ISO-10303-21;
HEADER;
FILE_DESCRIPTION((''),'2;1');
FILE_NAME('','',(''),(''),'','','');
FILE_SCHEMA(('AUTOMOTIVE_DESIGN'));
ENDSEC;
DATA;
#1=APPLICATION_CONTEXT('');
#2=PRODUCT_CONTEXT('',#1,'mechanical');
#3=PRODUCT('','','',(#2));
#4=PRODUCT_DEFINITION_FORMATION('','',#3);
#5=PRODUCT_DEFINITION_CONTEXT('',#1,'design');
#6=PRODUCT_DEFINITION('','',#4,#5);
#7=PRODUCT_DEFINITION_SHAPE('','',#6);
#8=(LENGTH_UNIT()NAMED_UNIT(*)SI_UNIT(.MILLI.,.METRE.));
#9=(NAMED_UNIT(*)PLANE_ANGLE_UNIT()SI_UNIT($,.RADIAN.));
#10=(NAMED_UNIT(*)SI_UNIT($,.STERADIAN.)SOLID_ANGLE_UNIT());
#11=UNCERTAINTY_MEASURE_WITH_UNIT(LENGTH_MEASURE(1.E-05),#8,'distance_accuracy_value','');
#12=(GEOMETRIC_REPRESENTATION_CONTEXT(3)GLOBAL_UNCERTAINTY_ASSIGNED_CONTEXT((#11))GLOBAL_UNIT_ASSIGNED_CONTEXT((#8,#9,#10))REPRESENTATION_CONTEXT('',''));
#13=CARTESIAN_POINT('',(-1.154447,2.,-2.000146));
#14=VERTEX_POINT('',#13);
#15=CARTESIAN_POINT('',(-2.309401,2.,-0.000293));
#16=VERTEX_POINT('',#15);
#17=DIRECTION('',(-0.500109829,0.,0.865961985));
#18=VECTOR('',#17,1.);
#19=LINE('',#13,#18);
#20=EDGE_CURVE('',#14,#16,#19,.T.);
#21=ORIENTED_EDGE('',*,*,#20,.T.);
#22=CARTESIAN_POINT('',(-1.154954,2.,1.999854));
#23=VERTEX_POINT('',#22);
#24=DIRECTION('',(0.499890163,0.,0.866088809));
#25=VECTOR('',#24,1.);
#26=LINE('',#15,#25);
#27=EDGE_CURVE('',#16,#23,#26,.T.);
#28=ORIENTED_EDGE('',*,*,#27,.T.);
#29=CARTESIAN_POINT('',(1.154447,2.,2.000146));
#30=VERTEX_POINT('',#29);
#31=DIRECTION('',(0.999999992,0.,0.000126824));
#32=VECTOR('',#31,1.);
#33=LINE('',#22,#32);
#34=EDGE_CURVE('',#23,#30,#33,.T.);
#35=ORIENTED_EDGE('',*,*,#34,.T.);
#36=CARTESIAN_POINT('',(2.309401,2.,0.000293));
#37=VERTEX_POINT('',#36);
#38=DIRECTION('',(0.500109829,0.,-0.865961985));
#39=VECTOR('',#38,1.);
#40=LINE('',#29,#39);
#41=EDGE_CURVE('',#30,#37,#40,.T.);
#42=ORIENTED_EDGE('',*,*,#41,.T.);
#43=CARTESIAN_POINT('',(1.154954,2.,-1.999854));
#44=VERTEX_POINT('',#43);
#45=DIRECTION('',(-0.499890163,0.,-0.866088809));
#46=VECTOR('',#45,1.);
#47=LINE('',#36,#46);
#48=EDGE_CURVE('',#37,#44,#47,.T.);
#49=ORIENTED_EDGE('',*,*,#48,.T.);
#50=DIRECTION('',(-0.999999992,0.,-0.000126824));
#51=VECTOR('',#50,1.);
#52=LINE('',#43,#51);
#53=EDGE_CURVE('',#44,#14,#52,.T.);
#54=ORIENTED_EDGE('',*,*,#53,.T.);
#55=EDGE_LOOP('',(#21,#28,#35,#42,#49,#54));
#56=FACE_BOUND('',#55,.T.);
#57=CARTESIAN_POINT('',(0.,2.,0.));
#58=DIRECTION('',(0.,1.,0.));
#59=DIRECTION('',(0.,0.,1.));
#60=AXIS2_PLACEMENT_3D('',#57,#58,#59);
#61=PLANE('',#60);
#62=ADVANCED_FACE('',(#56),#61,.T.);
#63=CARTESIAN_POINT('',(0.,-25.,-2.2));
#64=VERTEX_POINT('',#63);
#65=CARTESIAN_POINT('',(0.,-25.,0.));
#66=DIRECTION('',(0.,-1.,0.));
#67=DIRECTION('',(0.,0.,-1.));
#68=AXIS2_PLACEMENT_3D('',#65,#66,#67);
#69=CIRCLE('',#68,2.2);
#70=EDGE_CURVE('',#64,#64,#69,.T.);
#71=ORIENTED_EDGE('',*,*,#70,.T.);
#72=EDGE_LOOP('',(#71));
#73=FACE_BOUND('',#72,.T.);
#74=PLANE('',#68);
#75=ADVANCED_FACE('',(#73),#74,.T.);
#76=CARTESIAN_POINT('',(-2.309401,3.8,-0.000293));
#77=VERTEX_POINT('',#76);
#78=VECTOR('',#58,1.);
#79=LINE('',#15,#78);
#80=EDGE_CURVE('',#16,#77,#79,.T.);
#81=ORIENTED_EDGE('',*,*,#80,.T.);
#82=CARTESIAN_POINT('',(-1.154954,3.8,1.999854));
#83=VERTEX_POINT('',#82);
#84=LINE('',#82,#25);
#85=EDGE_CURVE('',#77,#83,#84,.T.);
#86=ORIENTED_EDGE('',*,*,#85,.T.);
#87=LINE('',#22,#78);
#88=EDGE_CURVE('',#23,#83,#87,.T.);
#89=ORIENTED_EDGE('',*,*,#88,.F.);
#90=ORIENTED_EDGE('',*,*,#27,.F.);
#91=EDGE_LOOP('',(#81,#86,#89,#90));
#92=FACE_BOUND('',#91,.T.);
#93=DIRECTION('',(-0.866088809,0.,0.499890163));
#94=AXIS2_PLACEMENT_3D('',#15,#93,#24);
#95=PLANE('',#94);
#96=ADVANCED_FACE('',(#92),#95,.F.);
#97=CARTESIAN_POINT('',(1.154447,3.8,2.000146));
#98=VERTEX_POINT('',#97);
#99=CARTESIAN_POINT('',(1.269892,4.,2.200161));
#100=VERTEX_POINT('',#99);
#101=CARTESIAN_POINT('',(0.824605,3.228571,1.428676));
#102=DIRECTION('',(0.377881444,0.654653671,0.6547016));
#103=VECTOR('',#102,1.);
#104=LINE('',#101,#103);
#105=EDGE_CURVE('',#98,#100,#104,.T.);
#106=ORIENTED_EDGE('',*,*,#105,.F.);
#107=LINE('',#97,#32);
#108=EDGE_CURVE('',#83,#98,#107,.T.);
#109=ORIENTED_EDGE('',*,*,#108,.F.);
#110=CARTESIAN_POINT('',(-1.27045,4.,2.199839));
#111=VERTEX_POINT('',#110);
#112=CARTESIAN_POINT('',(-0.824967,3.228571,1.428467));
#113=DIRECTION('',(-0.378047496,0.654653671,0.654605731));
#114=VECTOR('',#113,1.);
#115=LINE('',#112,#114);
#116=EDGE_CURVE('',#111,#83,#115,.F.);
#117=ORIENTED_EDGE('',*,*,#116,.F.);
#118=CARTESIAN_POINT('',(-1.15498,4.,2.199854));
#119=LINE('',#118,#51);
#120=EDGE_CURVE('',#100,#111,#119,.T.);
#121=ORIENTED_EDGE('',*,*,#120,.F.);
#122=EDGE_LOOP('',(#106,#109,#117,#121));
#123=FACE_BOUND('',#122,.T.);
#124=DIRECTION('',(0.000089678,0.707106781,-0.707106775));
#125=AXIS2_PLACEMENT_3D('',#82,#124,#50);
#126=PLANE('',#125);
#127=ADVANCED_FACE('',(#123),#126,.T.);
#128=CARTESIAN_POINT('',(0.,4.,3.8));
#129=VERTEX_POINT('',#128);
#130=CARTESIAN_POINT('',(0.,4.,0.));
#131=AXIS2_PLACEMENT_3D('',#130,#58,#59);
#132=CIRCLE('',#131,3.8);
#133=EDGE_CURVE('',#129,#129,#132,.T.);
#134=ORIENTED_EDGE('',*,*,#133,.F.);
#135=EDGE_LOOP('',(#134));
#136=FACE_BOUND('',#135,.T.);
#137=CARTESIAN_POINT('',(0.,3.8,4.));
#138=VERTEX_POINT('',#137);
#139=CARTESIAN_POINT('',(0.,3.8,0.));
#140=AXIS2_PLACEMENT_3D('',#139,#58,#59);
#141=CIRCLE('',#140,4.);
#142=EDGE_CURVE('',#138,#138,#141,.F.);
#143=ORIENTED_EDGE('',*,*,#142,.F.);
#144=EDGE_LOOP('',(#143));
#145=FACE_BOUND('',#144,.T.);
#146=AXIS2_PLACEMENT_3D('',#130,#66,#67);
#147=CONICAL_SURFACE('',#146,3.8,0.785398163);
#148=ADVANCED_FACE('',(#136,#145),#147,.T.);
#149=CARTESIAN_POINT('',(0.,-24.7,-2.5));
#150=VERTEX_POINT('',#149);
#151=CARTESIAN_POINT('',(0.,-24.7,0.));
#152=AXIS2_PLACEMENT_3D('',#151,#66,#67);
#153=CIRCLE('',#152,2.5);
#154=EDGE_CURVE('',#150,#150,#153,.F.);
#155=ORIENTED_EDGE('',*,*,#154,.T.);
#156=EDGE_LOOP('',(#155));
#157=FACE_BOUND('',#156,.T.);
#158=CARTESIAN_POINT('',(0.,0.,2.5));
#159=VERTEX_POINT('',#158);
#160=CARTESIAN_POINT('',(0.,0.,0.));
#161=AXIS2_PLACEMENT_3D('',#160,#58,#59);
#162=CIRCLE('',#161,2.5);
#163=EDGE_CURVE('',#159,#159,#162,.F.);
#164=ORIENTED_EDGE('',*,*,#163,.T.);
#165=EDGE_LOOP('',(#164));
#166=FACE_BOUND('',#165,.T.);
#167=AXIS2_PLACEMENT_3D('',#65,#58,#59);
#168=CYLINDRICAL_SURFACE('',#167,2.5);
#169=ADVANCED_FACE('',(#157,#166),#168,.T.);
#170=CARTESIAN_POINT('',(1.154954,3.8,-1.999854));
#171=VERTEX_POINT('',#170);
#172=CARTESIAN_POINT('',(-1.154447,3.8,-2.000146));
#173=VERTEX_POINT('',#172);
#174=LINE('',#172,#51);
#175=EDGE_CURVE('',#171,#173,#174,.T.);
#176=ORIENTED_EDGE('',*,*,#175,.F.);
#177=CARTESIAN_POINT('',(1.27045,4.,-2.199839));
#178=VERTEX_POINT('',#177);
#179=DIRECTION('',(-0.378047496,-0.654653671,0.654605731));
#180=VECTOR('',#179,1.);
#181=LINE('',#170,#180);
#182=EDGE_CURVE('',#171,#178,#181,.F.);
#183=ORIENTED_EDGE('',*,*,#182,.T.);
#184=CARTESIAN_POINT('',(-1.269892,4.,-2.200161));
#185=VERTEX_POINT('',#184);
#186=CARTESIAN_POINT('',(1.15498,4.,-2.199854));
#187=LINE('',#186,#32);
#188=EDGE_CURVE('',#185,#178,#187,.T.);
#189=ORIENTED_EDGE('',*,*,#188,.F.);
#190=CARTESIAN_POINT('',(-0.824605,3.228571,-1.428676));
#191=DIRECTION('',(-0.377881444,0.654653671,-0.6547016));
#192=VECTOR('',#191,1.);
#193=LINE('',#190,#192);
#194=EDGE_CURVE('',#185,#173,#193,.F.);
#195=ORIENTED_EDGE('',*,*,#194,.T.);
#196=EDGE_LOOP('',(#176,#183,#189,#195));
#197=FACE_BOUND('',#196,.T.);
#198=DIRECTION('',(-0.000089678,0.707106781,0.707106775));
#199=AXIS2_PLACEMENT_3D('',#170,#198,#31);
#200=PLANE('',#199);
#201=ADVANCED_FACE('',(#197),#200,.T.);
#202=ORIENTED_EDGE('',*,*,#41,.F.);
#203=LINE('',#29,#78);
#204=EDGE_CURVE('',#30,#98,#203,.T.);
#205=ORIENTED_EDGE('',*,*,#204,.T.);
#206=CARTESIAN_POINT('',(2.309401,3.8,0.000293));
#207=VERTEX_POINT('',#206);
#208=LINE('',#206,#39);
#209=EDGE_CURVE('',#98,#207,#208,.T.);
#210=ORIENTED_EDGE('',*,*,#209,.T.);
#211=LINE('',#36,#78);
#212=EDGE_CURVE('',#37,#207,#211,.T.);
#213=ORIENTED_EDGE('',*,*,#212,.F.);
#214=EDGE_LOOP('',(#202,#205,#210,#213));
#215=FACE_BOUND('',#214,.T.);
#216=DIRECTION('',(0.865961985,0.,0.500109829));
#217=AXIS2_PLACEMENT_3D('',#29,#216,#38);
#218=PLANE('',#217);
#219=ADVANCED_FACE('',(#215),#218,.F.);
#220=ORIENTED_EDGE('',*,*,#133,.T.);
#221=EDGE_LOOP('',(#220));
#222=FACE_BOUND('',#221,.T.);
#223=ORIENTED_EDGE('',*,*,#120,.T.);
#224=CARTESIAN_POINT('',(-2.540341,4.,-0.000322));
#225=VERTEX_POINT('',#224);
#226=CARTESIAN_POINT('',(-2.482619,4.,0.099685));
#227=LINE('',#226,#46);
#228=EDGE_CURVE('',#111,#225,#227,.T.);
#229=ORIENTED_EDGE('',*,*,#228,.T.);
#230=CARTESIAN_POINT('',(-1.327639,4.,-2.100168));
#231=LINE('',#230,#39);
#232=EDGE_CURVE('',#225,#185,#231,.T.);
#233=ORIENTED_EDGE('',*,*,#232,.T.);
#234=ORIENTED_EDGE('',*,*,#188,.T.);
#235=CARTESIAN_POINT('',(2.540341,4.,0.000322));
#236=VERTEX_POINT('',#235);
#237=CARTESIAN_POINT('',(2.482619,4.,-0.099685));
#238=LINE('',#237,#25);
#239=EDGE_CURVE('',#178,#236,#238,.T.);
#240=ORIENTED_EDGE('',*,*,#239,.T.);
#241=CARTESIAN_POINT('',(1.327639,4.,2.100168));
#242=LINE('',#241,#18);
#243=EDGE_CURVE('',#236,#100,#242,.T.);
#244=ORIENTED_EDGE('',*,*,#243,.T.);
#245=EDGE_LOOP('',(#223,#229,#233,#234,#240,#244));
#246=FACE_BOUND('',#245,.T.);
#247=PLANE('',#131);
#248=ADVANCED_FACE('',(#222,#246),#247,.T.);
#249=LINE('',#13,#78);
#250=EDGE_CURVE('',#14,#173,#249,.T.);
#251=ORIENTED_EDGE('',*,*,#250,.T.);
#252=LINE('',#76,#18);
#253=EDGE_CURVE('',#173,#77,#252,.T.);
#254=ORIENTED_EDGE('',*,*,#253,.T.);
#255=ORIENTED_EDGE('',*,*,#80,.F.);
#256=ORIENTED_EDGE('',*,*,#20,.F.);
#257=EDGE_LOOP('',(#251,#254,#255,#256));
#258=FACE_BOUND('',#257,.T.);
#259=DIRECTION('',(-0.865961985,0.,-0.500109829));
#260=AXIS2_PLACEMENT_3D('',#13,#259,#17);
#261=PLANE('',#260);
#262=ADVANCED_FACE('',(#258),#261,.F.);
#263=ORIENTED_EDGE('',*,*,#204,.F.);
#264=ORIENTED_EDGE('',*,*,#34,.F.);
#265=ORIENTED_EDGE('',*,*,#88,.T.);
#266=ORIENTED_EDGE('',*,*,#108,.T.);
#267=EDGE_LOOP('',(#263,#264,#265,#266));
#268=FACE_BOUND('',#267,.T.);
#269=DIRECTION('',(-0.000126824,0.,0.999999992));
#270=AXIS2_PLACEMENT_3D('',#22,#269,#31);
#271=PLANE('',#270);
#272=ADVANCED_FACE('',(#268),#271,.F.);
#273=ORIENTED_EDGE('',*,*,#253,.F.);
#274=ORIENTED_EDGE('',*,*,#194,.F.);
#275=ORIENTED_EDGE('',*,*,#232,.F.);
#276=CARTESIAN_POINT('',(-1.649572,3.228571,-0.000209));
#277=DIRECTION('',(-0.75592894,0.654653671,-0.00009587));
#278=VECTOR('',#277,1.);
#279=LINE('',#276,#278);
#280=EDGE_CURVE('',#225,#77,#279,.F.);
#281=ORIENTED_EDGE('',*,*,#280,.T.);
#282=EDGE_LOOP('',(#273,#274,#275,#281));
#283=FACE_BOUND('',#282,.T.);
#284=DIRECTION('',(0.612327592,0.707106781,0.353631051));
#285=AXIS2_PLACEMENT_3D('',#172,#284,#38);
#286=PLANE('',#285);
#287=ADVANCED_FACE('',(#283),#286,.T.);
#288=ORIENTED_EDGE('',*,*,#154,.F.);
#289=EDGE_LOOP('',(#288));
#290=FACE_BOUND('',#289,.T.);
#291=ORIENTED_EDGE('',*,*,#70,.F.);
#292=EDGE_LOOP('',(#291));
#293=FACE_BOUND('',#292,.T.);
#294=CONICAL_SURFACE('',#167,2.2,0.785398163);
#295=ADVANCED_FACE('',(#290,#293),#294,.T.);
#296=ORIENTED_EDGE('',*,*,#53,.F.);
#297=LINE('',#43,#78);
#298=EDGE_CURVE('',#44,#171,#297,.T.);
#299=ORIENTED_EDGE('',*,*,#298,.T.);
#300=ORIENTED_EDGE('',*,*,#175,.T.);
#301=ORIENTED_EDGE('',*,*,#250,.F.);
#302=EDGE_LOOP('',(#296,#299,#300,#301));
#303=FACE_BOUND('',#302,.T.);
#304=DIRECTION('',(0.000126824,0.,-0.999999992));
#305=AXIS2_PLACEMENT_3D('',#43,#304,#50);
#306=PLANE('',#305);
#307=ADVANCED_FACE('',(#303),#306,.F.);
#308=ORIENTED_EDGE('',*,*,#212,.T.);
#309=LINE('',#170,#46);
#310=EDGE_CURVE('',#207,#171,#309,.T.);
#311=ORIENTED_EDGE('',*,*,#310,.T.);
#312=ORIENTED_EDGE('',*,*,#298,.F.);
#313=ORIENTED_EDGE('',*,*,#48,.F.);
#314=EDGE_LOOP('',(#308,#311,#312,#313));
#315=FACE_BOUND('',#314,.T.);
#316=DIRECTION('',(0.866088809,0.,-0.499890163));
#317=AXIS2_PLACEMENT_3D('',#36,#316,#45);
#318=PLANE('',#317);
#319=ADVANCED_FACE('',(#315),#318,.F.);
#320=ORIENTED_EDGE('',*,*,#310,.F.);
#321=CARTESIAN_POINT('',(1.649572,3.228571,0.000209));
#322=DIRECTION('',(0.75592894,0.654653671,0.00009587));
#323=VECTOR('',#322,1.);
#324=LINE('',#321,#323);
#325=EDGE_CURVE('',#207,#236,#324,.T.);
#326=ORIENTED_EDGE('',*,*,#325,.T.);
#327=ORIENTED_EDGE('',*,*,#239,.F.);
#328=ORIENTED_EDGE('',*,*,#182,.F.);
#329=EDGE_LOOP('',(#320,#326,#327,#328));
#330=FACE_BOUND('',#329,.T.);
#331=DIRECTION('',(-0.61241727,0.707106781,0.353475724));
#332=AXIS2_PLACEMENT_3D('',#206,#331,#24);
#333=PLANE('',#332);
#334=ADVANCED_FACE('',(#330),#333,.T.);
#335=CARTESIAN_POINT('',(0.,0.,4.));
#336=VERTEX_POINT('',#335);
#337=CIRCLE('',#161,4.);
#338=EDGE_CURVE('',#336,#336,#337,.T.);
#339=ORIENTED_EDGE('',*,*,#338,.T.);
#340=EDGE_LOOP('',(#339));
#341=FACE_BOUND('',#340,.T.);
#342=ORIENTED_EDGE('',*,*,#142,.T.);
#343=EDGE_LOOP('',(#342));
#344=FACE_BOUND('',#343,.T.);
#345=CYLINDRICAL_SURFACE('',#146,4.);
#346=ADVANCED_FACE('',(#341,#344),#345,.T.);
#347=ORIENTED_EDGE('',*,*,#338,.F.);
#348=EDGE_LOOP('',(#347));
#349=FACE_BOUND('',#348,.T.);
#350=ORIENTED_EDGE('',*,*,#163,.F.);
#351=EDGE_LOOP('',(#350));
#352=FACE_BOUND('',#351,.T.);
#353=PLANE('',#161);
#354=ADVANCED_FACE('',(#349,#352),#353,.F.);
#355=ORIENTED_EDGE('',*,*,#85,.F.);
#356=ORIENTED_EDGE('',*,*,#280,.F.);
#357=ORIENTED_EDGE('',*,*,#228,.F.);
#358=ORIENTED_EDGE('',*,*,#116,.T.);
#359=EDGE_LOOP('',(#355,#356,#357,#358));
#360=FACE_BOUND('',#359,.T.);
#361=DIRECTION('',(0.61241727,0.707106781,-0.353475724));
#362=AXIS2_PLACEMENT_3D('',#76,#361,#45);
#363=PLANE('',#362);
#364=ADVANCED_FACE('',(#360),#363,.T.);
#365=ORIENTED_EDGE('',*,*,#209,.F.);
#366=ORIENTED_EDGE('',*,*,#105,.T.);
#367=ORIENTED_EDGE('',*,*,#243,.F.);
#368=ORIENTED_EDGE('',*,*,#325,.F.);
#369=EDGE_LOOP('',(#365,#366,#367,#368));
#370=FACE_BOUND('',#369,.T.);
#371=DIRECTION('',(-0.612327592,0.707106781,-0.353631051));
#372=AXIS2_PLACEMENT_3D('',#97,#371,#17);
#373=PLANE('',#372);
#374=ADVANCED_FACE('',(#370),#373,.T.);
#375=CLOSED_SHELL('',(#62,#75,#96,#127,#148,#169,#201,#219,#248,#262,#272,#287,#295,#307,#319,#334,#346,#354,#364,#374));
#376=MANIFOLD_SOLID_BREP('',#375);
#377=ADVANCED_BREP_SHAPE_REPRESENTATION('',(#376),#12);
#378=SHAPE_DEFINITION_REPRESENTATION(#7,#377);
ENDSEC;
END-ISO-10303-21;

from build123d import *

# Parameters (mm, degrees)
SKETCH_1_R          = 4
EXTRUDE_1_DEPTH     = 4
SKETCH_2_R          = 2.5
EXTRUDE_2_DEPTH     = 25
CUT_EXTRUDE_1_DEPTH = 2
CHAMFER_1_SIZE      = 0.2
CHAMFER_2_SIZE      = 0.3


with BuildPart() as part:
    # 草图1 → 凸台-拉伸1 (new body)
    with BuildSketch(Plane(origin=(0, 0, 0), x_dir=(1, 0, 0), z_dir=(0, 1, 0))):
        Circle(SKETCH_1_R)
    extrude(amount=EXTRUDE_1_DEPTH)

    # 草图2 → 凸台-拉伸2 (add)
    with BuildSketch(Plane.XZ):
        Circle(SKETCH_2_R)
    extrude(amount=EXTRUDE_2_DEPTH)

    # 草图11 → 切除-拉伸1 (cut)
    with BuildSketch(Plane(origin=(0, 4, 0), x_dir=(1, 0, 0), z_dir=(0, 1, 0))):
        Polygon((1.154954177, 1.999853541), (-1.154446882, 2.000146427), (-2.309401058, 0.000292887), (-1.154954177, -1.999853541), (1.154446882, -2.000146427), (2.309401058, -0.000292887), align=None)
    extrude(amount=-CUT_EXTRUDE_1_DEPTH, mode=Mode.SUBTRACT)

    # 倒角1
    chamfer_1_edges = [part.edges().sort_by_distance(p)[0] for p in [
        (1.732177617, 4, -0.999780327),
        (0.000253647, 4, -1.999999984),
        (-1.73192397, 4, -1.000219657),
        (-1.732177617, 4, 0.999780327),
        (-0.000253647, 4, 1.999999984),
        (1.73192397, 4, 1.000219657),
        (-4, 4, 0),
    ]]
    chamfer(chamfer_1_edges, length=CHAMFER_1_SIZE)

    # 倒角2
    chamfer_2_edges = [part.edges().sort_by_distance(p)[0] for p in [
        (-2.5, -25, 0),
    ]]
    chamfer(chamfer_2_edges, length=CHAMFER_2_SIZE)


solid = part.part
